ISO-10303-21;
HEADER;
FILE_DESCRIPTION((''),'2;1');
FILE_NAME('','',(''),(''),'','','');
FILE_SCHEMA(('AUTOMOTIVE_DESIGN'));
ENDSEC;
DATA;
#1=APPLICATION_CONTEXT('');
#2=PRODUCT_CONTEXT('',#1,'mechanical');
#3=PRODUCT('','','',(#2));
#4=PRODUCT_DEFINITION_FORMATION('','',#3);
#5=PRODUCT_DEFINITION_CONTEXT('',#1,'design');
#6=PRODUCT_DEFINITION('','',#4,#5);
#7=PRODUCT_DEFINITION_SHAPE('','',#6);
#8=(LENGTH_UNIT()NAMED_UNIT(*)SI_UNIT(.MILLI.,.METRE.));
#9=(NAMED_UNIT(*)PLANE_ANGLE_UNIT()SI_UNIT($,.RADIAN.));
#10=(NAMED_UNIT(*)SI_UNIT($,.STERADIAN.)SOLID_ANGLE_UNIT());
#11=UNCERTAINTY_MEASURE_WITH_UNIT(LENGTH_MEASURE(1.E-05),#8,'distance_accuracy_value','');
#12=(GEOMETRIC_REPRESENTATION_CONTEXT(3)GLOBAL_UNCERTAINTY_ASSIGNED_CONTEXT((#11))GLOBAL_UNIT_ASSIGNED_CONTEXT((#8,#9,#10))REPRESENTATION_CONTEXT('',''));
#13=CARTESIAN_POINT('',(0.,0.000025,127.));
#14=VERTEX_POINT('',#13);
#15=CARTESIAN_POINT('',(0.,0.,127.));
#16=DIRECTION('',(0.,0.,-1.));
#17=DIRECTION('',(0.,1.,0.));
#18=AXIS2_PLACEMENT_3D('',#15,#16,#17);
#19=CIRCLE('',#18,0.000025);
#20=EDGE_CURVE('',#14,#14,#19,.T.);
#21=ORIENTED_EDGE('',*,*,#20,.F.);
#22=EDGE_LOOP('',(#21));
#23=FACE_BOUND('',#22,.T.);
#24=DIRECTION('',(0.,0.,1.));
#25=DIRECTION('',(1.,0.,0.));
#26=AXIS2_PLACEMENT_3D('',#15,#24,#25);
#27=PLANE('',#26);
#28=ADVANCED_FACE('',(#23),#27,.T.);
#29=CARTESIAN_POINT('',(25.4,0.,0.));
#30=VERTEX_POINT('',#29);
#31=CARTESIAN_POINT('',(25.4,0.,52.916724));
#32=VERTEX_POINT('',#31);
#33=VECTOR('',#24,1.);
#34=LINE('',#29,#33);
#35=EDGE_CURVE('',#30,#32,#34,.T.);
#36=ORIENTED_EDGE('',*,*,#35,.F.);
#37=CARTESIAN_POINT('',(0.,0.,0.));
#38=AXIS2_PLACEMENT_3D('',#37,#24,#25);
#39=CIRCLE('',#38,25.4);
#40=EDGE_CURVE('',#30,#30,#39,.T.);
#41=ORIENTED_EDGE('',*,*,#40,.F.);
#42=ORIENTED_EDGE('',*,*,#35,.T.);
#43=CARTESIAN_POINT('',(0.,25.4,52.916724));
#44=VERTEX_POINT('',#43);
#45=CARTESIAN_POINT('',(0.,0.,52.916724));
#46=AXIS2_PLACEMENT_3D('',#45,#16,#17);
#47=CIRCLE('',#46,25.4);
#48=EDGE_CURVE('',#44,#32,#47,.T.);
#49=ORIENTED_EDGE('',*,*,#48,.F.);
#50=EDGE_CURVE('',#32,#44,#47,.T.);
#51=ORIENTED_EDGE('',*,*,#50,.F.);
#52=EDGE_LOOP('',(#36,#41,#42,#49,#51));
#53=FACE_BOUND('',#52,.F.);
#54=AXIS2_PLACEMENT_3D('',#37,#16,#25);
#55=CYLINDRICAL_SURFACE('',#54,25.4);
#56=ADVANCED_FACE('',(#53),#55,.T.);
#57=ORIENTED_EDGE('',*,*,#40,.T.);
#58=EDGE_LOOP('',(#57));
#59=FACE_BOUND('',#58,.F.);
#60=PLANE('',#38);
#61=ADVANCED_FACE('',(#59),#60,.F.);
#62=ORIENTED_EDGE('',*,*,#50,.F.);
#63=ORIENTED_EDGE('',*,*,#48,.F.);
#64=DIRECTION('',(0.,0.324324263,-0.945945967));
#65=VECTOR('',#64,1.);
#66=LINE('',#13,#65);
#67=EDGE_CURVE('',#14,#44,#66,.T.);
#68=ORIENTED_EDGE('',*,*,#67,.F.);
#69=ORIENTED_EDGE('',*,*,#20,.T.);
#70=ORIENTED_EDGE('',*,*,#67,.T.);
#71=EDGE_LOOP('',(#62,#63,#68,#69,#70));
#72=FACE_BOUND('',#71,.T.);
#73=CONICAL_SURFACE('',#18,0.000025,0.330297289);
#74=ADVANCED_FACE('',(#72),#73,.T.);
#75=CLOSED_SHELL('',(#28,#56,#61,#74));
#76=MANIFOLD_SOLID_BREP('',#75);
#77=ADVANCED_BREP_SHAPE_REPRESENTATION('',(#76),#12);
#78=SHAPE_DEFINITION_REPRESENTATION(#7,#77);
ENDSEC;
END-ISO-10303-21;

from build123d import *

# Parameters (mm, degrees)
F0_R     = 25.4
F1_DEPTH = 127


with BuildPart() as f1:
    # F0 (on Top) → F1 (new body)
    with BuildSketch(Plane.XY):
        Circle(F0_R)
    extrude(amount=F1_DEPTH)

    # F2 (on Right) → F3 (revolve, cut)
    with BuildSketch(Plane.YZ):
        Polygon((32.905228, 127), (2.5e-05, 127), (30.18061, 38.973275), align=None)
    revolve(axis=Axis((0, 0, 0), (0, 0, -1)), mode=Mode.SUBTRACT)


solid = f1.part
